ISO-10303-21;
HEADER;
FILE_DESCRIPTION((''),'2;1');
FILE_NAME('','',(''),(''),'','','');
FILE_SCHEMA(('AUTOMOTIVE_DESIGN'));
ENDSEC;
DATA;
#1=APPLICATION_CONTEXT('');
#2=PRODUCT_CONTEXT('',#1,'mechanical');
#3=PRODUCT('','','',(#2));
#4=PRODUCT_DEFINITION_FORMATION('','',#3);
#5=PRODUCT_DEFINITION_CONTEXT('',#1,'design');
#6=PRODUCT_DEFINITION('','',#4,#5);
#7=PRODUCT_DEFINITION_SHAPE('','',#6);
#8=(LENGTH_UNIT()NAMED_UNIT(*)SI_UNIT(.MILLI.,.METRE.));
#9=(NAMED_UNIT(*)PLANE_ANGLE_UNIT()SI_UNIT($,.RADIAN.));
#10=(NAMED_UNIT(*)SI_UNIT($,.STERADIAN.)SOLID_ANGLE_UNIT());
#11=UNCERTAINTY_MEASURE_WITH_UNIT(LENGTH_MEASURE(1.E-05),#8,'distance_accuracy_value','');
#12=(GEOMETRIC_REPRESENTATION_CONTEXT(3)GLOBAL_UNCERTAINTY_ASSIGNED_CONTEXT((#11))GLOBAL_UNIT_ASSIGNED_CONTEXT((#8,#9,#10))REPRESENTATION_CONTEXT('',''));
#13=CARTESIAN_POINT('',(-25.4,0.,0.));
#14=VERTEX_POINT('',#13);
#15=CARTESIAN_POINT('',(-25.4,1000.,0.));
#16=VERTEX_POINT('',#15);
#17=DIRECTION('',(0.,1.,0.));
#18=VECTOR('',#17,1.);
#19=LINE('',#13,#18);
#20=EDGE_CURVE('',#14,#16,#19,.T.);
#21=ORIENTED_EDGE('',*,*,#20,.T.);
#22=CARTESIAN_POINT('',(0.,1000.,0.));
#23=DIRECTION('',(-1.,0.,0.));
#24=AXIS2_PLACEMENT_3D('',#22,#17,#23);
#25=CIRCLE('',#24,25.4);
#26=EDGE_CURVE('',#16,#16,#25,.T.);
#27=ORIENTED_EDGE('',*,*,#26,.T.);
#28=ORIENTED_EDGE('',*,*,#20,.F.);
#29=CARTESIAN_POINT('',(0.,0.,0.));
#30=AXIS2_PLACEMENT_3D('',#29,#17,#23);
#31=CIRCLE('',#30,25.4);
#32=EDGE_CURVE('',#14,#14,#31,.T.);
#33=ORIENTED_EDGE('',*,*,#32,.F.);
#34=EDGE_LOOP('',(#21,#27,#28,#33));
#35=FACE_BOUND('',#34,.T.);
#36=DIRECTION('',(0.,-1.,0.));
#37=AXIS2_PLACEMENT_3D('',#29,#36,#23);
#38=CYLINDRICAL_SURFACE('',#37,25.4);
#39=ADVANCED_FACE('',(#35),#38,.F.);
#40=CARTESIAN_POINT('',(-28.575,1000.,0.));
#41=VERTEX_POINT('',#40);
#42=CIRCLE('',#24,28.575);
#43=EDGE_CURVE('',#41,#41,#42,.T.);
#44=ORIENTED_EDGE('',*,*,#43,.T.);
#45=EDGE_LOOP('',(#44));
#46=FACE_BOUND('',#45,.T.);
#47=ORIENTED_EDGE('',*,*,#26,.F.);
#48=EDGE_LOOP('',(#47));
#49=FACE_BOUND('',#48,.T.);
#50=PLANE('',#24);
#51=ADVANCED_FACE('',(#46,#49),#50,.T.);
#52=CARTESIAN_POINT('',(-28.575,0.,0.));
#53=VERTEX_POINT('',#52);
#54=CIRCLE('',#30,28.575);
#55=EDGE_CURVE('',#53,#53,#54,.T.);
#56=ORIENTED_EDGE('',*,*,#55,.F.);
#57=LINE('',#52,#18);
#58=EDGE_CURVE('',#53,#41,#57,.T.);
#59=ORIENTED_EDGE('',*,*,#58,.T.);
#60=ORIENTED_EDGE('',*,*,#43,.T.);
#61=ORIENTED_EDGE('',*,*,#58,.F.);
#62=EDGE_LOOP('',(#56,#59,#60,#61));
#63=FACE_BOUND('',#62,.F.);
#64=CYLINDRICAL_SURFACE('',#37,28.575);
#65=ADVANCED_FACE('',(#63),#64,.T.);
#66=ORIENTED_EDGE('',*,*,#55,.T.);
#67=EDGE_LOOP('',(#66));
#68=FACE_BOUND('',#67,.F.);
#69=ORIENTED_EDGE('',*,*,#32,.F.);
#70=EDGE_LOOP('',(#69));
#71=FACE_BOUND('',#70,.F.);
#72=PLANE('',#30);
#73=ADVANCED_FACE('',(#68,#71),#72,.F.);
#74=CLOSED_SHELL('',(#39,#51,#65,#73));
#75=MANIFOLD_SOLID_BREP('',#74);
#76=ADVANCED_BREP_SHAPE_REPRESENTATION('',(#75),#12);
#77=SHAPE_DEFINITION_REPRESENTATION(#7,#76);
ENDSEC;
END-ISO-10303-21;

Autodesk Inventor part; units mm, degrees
ref_plane "YZ Plane" through (0, 0, 0) normal (1, 0, 0) x (0, 1, 0)
ref_plane "XZ Plane" through (0, 0, 0) normal (0, 1, 0) x (-1, 0, 0)
ref_plane "XY Plane" through (0, 0, 0) normal (0, 0, 1) x (1, 0, 0)
sketch "Sketch1" plane through (0, 0, 0) normal (0, 1, 0) x (-1, 0, 0)
  circle A0 centre (0, 0) radius 28.575
  circle A1 centre (0, 0) radius 25.4
  dimension "d4" = 50.8
  dimension "d5" = 57.15
extrude "Extrusion1" add sketch "Sketch1" along normal blind 1000
properties part number "2inx100cm_pipe"
